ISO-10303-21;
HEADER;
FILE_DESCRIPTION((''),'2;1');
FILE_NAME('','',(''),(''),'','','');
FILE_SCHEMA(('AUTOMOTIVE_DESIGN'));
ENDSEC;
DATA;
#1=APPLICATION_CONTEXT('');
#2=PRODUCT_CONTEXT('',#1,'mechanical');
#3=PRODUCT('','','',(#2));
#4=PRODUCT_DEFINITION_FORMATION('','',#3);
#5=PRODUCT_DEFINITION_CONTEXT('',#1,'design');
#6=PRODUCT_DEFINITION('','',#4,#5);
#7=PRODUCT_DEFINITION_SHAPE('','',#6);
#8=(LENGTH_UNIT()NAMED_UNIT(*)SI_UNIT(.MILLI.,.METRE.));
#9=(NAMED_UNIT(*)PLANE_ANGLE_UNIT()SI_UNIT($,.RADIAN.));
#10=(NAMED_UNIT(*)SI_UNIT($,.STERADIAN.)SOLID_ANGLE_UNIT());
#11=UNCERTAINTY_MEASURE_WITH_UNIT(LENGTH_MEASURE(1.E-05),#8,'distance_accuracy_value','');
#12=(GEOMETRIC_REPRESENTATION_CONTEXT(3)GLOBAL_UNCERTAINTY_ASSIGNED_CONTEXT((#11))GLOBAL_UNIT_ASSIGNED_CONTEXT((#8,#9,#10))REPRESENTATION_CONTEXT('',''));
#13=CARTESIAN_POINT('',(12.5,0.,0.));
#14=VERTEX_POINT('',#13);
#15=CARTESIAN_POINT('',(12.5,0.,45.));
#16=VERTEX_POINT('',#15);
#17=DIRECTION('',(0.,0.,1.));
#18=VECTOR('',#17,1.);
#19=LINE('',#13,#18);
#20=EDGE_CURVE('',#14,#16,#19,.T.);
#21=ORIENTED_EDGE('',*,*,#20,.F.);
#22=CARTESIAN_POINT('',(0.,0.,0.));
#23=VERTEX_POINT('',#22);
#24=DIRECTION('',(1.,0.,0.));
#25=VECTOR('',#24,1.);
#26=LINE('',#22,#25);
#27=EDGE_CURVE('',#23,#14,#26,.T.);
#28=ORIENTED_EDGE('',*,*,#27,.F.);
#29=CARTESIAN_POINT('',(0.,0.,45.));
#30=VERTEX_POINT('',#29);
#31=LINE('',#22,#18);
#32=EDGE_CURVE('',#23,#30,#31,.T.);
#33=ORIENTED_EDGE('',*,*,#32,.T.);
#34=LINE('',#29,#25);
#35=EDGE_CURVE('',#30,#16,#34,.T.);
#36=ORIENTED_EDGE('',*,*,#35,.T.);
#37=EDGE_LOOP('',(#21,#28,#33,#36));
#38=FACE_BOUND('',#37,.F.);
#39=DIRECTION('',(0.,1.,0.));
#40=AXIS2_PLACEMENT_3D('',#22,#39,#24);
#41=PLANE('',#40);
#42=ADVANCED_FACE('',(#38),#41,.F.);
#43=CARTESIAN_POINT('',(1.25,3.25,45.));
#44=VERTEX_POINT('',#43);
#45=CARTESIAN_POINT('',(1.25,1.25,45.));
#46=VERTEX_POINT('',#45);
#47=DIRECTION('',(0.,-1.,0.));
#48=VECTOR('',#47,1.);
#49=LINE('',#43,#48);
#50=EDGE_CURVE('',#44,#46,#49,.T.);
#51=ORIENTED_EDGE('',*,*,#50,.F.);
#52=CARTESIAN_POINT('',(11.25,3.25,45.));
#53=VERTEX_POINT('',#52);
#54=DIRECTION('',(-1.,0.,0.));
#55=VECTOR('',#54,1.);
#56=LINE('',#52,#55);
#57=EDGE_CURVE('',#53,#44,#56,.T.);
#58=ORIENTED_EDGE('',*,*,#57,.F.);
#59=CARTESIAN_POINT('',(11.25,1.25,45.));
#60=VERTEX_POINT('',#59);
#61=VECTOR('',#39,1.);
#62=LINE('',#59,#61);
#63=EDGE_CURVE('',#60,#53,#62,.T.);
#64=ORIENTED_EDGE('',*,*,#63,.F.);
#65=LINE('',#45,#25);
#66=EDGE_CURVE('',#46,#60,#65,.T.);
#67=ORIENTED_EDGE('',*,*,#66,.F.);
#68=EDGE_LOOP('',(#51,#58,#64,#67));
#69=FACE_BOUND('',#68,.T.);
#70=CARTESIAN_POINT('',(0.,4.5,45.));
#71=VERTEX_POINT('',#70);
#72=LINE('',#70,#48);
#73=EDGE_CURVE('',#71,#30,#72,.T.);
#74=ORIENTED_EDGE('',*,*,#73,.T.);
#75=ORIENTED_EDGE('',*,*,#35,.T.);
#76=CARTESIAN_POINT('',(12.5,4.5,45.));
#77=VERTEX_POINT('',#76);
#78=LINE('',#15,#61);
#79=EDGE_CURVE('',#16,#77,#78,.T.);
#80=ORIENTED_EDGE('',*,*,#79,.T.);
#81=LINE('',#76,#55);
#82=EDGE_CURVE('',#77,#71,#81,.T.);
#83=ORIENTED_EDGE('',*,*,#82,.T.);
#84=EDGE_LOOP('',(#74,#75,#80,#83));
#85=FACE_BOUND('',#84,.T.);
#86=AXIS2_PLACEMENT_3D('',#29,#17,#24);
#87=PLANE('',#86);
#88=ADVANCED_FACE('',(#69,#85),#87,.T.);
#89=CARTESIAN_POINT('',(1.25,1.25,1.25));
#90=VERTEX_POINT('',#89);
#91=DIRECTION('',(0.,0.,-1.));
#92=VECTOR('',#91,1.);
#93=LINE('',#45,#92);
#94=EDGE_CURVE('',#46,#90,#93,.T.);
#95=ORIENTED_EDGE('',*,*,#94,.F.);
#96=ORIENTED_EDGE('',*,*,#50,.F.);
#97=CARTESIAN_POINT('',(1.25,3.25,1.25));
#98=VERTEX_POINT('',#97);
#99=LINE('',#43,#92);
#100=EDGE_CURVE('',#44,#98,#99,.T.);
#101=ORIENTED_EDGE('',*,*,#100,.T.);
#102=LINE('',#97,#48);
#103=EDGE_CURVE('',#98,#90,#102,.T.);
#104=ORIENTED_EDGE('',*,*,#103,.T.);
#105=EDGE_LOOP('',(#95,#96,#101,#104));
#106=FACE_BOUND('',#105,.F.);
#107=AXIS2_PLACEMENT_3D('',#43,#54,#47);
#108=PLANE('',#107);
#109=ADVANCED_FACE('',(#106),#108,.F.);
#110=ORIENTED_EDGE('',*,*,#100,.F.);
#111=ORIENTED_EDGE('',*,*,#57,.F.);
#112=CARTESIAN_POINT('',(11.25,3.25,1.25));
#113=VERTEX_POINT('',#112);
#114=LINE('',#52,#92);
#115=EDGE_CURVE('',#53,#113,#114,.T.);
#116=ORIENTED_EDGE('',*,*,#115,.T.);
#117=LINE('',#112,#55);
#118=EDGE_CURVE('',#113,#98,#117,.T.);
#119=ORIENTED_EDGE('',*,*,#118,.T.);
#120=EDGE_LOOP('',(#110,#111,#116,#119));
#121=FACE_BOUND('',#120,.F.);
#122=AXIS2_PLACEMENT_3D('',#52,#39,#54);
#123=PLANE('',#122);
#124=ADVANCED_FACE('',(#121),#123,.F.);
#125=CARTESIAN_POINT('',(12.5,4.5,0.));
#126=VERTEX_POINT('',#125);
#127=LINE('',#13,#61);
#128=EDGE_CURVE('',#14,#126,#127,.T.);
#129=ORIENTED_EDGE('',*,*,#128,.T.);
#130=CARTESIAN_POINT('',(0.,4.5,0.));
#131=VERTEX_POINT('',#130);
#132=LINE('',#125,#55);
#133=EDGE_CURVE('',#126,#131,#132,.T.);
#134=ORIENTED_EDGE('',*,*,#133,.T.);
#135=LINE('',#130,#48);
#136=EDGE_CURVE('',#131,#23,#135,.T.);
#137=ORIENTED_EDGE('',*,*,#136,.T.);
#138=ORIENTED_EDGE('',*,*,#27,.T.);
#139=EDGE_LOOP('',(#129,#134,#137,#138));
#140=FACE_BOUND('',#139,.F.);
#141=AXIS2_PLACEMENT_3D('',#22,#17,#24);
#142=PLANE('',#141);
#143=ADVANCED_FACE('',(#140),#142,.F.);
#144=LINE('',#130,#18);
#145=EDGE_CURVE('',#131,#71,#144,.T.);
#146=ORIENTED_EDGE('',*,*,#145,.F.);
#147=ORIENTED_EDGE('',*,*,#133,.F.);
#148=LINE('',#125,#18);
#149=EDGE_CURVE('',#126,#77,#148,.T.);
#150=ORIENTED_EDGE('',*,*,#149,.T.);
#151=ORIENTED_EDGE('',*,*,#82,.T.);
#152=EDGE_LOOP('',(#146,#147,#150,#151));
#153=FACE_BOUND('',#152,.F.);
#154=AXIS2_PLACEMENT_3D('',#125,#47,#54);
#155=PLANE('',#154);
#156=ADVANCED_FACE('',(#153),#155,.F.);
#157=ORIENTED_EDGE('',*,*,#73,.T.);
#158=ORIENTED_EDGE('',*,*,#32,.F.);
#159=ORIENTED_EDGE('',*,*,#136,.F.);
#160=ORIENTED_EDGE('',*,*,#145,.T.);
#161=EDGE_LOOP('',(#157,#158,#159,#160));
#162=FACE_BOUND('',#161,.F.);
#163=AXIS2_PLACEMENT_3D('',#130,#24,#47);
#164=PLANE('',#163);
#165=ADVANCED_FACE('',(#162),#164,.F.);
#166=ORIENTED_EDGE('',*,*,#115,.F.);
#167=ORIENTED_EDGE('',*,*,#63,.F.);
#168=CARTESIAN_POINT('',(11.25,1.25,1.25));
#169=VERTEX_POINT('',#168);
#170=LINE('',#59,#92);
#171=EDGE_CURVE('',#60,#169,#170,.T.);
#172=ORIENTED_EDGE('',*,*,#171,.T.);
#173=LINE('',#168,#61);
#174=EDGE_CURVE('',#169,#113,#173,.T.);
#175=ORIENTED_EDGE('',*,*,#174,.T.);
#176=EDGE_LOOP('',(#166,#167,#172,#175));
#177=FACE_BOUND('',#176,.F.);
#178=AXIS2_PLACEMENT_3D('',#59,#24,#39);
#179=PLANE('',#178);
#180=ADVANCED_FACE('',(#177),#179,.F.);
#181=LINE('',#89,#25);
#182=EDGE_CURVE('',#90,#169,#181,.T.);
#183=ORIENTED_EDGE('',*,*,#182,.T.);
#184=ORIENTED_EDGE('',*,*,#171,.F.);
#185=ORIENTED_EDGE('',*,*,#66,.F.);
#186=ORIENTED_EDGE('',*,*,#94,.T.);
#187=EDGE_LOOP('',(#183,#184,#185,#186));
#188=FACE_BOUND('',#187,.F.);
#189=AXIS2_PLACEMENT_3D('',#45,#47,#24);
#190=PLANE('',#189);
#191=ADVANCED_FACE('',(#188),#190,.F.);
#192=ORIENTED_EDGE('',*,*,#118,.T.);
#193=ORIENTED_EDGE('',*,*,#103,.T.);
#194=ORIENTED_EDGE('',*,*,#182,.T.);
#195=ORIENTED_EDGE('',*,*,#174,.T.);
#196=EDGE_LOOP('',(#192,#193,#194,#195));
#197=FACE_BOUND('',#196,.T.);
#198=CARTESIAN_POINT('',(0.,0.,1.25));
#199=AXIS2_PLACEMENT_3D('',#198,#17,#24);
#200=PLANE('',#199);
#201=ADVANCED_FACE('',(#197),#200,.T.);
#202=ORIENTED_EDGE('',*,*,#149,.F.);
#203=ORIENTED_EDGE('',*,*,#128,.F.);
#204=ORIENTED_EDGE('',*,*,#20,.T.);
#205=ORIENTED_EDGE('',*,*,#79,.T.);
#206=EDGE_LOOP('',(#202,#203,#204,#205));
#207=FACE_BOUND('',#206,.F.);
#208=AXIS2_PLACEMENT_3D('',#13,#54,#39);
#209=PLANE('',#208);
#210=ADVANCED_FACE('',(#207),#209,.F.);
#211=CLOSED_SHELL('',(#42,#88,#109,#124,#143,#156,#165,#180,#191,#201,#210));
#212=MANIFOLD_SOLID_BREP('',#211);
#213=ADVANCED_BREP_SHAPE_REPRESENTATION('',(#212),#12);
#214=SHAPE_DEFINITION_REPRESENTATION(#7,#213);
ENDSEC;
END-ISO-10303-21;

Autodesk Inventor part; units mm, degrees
ref_plane "YZ Plane" through (0, 0, 0) normal (1, 0, 0) x (0, 1, 0)
ref_plane "XZ Plane" through (0, 0, 0) normal (0, 1, 0) x (-1, 0, 0)
ref_plane "XY Plane" through (0, 0, 0) normal (0, 0, 1) x (1, 0, 0)
sketch "Sketch1" plane through (0, 0, 0) normal (0, 0, 1) x (1, 0, 0)
  line L0 (0, 0) -> (12.5, 0)
  line L1 (12.5, 0) -> (12.5, 4.5)
  line L2 (12.5, 4.5) -> (0, 4.5)
  line L3 (0, 4.5) -> (0, 0)
  dimension "d0" = 12.5
  dimension "d1" = 4.5
extrude "Extrusion1" add sketch "Sketch1" along normal blind 45
sketch "Sketch2" plane through (0, 0, 45) normal (0, 0, 1) x (1, 0, 0)
  line L0 (1.25, 1.25) -> (11.25, 1.25)
  line L1 (11.25, 1.25) -> (11.25, 3.25)
  line L2 (11.25, 3.25) -> (1.25, 3.25)
  line L3 (1.25, 3.25) -> (1.25, 1.25)
  line L4 (12.5, 4.5) -> (0, 4.5) projected
  line L5 (0, 4.5) -> (0, 0) projected
  dimension "d4" = 10
  dimension "d5" = 2
  dimension "d6" = 1.25
  dimension "d7" = 1.25
extrude "Extrusion2" cut sketch "Sketch2" against normal blind 43.75
properties part number "2mmCuvette" material "Glass"
